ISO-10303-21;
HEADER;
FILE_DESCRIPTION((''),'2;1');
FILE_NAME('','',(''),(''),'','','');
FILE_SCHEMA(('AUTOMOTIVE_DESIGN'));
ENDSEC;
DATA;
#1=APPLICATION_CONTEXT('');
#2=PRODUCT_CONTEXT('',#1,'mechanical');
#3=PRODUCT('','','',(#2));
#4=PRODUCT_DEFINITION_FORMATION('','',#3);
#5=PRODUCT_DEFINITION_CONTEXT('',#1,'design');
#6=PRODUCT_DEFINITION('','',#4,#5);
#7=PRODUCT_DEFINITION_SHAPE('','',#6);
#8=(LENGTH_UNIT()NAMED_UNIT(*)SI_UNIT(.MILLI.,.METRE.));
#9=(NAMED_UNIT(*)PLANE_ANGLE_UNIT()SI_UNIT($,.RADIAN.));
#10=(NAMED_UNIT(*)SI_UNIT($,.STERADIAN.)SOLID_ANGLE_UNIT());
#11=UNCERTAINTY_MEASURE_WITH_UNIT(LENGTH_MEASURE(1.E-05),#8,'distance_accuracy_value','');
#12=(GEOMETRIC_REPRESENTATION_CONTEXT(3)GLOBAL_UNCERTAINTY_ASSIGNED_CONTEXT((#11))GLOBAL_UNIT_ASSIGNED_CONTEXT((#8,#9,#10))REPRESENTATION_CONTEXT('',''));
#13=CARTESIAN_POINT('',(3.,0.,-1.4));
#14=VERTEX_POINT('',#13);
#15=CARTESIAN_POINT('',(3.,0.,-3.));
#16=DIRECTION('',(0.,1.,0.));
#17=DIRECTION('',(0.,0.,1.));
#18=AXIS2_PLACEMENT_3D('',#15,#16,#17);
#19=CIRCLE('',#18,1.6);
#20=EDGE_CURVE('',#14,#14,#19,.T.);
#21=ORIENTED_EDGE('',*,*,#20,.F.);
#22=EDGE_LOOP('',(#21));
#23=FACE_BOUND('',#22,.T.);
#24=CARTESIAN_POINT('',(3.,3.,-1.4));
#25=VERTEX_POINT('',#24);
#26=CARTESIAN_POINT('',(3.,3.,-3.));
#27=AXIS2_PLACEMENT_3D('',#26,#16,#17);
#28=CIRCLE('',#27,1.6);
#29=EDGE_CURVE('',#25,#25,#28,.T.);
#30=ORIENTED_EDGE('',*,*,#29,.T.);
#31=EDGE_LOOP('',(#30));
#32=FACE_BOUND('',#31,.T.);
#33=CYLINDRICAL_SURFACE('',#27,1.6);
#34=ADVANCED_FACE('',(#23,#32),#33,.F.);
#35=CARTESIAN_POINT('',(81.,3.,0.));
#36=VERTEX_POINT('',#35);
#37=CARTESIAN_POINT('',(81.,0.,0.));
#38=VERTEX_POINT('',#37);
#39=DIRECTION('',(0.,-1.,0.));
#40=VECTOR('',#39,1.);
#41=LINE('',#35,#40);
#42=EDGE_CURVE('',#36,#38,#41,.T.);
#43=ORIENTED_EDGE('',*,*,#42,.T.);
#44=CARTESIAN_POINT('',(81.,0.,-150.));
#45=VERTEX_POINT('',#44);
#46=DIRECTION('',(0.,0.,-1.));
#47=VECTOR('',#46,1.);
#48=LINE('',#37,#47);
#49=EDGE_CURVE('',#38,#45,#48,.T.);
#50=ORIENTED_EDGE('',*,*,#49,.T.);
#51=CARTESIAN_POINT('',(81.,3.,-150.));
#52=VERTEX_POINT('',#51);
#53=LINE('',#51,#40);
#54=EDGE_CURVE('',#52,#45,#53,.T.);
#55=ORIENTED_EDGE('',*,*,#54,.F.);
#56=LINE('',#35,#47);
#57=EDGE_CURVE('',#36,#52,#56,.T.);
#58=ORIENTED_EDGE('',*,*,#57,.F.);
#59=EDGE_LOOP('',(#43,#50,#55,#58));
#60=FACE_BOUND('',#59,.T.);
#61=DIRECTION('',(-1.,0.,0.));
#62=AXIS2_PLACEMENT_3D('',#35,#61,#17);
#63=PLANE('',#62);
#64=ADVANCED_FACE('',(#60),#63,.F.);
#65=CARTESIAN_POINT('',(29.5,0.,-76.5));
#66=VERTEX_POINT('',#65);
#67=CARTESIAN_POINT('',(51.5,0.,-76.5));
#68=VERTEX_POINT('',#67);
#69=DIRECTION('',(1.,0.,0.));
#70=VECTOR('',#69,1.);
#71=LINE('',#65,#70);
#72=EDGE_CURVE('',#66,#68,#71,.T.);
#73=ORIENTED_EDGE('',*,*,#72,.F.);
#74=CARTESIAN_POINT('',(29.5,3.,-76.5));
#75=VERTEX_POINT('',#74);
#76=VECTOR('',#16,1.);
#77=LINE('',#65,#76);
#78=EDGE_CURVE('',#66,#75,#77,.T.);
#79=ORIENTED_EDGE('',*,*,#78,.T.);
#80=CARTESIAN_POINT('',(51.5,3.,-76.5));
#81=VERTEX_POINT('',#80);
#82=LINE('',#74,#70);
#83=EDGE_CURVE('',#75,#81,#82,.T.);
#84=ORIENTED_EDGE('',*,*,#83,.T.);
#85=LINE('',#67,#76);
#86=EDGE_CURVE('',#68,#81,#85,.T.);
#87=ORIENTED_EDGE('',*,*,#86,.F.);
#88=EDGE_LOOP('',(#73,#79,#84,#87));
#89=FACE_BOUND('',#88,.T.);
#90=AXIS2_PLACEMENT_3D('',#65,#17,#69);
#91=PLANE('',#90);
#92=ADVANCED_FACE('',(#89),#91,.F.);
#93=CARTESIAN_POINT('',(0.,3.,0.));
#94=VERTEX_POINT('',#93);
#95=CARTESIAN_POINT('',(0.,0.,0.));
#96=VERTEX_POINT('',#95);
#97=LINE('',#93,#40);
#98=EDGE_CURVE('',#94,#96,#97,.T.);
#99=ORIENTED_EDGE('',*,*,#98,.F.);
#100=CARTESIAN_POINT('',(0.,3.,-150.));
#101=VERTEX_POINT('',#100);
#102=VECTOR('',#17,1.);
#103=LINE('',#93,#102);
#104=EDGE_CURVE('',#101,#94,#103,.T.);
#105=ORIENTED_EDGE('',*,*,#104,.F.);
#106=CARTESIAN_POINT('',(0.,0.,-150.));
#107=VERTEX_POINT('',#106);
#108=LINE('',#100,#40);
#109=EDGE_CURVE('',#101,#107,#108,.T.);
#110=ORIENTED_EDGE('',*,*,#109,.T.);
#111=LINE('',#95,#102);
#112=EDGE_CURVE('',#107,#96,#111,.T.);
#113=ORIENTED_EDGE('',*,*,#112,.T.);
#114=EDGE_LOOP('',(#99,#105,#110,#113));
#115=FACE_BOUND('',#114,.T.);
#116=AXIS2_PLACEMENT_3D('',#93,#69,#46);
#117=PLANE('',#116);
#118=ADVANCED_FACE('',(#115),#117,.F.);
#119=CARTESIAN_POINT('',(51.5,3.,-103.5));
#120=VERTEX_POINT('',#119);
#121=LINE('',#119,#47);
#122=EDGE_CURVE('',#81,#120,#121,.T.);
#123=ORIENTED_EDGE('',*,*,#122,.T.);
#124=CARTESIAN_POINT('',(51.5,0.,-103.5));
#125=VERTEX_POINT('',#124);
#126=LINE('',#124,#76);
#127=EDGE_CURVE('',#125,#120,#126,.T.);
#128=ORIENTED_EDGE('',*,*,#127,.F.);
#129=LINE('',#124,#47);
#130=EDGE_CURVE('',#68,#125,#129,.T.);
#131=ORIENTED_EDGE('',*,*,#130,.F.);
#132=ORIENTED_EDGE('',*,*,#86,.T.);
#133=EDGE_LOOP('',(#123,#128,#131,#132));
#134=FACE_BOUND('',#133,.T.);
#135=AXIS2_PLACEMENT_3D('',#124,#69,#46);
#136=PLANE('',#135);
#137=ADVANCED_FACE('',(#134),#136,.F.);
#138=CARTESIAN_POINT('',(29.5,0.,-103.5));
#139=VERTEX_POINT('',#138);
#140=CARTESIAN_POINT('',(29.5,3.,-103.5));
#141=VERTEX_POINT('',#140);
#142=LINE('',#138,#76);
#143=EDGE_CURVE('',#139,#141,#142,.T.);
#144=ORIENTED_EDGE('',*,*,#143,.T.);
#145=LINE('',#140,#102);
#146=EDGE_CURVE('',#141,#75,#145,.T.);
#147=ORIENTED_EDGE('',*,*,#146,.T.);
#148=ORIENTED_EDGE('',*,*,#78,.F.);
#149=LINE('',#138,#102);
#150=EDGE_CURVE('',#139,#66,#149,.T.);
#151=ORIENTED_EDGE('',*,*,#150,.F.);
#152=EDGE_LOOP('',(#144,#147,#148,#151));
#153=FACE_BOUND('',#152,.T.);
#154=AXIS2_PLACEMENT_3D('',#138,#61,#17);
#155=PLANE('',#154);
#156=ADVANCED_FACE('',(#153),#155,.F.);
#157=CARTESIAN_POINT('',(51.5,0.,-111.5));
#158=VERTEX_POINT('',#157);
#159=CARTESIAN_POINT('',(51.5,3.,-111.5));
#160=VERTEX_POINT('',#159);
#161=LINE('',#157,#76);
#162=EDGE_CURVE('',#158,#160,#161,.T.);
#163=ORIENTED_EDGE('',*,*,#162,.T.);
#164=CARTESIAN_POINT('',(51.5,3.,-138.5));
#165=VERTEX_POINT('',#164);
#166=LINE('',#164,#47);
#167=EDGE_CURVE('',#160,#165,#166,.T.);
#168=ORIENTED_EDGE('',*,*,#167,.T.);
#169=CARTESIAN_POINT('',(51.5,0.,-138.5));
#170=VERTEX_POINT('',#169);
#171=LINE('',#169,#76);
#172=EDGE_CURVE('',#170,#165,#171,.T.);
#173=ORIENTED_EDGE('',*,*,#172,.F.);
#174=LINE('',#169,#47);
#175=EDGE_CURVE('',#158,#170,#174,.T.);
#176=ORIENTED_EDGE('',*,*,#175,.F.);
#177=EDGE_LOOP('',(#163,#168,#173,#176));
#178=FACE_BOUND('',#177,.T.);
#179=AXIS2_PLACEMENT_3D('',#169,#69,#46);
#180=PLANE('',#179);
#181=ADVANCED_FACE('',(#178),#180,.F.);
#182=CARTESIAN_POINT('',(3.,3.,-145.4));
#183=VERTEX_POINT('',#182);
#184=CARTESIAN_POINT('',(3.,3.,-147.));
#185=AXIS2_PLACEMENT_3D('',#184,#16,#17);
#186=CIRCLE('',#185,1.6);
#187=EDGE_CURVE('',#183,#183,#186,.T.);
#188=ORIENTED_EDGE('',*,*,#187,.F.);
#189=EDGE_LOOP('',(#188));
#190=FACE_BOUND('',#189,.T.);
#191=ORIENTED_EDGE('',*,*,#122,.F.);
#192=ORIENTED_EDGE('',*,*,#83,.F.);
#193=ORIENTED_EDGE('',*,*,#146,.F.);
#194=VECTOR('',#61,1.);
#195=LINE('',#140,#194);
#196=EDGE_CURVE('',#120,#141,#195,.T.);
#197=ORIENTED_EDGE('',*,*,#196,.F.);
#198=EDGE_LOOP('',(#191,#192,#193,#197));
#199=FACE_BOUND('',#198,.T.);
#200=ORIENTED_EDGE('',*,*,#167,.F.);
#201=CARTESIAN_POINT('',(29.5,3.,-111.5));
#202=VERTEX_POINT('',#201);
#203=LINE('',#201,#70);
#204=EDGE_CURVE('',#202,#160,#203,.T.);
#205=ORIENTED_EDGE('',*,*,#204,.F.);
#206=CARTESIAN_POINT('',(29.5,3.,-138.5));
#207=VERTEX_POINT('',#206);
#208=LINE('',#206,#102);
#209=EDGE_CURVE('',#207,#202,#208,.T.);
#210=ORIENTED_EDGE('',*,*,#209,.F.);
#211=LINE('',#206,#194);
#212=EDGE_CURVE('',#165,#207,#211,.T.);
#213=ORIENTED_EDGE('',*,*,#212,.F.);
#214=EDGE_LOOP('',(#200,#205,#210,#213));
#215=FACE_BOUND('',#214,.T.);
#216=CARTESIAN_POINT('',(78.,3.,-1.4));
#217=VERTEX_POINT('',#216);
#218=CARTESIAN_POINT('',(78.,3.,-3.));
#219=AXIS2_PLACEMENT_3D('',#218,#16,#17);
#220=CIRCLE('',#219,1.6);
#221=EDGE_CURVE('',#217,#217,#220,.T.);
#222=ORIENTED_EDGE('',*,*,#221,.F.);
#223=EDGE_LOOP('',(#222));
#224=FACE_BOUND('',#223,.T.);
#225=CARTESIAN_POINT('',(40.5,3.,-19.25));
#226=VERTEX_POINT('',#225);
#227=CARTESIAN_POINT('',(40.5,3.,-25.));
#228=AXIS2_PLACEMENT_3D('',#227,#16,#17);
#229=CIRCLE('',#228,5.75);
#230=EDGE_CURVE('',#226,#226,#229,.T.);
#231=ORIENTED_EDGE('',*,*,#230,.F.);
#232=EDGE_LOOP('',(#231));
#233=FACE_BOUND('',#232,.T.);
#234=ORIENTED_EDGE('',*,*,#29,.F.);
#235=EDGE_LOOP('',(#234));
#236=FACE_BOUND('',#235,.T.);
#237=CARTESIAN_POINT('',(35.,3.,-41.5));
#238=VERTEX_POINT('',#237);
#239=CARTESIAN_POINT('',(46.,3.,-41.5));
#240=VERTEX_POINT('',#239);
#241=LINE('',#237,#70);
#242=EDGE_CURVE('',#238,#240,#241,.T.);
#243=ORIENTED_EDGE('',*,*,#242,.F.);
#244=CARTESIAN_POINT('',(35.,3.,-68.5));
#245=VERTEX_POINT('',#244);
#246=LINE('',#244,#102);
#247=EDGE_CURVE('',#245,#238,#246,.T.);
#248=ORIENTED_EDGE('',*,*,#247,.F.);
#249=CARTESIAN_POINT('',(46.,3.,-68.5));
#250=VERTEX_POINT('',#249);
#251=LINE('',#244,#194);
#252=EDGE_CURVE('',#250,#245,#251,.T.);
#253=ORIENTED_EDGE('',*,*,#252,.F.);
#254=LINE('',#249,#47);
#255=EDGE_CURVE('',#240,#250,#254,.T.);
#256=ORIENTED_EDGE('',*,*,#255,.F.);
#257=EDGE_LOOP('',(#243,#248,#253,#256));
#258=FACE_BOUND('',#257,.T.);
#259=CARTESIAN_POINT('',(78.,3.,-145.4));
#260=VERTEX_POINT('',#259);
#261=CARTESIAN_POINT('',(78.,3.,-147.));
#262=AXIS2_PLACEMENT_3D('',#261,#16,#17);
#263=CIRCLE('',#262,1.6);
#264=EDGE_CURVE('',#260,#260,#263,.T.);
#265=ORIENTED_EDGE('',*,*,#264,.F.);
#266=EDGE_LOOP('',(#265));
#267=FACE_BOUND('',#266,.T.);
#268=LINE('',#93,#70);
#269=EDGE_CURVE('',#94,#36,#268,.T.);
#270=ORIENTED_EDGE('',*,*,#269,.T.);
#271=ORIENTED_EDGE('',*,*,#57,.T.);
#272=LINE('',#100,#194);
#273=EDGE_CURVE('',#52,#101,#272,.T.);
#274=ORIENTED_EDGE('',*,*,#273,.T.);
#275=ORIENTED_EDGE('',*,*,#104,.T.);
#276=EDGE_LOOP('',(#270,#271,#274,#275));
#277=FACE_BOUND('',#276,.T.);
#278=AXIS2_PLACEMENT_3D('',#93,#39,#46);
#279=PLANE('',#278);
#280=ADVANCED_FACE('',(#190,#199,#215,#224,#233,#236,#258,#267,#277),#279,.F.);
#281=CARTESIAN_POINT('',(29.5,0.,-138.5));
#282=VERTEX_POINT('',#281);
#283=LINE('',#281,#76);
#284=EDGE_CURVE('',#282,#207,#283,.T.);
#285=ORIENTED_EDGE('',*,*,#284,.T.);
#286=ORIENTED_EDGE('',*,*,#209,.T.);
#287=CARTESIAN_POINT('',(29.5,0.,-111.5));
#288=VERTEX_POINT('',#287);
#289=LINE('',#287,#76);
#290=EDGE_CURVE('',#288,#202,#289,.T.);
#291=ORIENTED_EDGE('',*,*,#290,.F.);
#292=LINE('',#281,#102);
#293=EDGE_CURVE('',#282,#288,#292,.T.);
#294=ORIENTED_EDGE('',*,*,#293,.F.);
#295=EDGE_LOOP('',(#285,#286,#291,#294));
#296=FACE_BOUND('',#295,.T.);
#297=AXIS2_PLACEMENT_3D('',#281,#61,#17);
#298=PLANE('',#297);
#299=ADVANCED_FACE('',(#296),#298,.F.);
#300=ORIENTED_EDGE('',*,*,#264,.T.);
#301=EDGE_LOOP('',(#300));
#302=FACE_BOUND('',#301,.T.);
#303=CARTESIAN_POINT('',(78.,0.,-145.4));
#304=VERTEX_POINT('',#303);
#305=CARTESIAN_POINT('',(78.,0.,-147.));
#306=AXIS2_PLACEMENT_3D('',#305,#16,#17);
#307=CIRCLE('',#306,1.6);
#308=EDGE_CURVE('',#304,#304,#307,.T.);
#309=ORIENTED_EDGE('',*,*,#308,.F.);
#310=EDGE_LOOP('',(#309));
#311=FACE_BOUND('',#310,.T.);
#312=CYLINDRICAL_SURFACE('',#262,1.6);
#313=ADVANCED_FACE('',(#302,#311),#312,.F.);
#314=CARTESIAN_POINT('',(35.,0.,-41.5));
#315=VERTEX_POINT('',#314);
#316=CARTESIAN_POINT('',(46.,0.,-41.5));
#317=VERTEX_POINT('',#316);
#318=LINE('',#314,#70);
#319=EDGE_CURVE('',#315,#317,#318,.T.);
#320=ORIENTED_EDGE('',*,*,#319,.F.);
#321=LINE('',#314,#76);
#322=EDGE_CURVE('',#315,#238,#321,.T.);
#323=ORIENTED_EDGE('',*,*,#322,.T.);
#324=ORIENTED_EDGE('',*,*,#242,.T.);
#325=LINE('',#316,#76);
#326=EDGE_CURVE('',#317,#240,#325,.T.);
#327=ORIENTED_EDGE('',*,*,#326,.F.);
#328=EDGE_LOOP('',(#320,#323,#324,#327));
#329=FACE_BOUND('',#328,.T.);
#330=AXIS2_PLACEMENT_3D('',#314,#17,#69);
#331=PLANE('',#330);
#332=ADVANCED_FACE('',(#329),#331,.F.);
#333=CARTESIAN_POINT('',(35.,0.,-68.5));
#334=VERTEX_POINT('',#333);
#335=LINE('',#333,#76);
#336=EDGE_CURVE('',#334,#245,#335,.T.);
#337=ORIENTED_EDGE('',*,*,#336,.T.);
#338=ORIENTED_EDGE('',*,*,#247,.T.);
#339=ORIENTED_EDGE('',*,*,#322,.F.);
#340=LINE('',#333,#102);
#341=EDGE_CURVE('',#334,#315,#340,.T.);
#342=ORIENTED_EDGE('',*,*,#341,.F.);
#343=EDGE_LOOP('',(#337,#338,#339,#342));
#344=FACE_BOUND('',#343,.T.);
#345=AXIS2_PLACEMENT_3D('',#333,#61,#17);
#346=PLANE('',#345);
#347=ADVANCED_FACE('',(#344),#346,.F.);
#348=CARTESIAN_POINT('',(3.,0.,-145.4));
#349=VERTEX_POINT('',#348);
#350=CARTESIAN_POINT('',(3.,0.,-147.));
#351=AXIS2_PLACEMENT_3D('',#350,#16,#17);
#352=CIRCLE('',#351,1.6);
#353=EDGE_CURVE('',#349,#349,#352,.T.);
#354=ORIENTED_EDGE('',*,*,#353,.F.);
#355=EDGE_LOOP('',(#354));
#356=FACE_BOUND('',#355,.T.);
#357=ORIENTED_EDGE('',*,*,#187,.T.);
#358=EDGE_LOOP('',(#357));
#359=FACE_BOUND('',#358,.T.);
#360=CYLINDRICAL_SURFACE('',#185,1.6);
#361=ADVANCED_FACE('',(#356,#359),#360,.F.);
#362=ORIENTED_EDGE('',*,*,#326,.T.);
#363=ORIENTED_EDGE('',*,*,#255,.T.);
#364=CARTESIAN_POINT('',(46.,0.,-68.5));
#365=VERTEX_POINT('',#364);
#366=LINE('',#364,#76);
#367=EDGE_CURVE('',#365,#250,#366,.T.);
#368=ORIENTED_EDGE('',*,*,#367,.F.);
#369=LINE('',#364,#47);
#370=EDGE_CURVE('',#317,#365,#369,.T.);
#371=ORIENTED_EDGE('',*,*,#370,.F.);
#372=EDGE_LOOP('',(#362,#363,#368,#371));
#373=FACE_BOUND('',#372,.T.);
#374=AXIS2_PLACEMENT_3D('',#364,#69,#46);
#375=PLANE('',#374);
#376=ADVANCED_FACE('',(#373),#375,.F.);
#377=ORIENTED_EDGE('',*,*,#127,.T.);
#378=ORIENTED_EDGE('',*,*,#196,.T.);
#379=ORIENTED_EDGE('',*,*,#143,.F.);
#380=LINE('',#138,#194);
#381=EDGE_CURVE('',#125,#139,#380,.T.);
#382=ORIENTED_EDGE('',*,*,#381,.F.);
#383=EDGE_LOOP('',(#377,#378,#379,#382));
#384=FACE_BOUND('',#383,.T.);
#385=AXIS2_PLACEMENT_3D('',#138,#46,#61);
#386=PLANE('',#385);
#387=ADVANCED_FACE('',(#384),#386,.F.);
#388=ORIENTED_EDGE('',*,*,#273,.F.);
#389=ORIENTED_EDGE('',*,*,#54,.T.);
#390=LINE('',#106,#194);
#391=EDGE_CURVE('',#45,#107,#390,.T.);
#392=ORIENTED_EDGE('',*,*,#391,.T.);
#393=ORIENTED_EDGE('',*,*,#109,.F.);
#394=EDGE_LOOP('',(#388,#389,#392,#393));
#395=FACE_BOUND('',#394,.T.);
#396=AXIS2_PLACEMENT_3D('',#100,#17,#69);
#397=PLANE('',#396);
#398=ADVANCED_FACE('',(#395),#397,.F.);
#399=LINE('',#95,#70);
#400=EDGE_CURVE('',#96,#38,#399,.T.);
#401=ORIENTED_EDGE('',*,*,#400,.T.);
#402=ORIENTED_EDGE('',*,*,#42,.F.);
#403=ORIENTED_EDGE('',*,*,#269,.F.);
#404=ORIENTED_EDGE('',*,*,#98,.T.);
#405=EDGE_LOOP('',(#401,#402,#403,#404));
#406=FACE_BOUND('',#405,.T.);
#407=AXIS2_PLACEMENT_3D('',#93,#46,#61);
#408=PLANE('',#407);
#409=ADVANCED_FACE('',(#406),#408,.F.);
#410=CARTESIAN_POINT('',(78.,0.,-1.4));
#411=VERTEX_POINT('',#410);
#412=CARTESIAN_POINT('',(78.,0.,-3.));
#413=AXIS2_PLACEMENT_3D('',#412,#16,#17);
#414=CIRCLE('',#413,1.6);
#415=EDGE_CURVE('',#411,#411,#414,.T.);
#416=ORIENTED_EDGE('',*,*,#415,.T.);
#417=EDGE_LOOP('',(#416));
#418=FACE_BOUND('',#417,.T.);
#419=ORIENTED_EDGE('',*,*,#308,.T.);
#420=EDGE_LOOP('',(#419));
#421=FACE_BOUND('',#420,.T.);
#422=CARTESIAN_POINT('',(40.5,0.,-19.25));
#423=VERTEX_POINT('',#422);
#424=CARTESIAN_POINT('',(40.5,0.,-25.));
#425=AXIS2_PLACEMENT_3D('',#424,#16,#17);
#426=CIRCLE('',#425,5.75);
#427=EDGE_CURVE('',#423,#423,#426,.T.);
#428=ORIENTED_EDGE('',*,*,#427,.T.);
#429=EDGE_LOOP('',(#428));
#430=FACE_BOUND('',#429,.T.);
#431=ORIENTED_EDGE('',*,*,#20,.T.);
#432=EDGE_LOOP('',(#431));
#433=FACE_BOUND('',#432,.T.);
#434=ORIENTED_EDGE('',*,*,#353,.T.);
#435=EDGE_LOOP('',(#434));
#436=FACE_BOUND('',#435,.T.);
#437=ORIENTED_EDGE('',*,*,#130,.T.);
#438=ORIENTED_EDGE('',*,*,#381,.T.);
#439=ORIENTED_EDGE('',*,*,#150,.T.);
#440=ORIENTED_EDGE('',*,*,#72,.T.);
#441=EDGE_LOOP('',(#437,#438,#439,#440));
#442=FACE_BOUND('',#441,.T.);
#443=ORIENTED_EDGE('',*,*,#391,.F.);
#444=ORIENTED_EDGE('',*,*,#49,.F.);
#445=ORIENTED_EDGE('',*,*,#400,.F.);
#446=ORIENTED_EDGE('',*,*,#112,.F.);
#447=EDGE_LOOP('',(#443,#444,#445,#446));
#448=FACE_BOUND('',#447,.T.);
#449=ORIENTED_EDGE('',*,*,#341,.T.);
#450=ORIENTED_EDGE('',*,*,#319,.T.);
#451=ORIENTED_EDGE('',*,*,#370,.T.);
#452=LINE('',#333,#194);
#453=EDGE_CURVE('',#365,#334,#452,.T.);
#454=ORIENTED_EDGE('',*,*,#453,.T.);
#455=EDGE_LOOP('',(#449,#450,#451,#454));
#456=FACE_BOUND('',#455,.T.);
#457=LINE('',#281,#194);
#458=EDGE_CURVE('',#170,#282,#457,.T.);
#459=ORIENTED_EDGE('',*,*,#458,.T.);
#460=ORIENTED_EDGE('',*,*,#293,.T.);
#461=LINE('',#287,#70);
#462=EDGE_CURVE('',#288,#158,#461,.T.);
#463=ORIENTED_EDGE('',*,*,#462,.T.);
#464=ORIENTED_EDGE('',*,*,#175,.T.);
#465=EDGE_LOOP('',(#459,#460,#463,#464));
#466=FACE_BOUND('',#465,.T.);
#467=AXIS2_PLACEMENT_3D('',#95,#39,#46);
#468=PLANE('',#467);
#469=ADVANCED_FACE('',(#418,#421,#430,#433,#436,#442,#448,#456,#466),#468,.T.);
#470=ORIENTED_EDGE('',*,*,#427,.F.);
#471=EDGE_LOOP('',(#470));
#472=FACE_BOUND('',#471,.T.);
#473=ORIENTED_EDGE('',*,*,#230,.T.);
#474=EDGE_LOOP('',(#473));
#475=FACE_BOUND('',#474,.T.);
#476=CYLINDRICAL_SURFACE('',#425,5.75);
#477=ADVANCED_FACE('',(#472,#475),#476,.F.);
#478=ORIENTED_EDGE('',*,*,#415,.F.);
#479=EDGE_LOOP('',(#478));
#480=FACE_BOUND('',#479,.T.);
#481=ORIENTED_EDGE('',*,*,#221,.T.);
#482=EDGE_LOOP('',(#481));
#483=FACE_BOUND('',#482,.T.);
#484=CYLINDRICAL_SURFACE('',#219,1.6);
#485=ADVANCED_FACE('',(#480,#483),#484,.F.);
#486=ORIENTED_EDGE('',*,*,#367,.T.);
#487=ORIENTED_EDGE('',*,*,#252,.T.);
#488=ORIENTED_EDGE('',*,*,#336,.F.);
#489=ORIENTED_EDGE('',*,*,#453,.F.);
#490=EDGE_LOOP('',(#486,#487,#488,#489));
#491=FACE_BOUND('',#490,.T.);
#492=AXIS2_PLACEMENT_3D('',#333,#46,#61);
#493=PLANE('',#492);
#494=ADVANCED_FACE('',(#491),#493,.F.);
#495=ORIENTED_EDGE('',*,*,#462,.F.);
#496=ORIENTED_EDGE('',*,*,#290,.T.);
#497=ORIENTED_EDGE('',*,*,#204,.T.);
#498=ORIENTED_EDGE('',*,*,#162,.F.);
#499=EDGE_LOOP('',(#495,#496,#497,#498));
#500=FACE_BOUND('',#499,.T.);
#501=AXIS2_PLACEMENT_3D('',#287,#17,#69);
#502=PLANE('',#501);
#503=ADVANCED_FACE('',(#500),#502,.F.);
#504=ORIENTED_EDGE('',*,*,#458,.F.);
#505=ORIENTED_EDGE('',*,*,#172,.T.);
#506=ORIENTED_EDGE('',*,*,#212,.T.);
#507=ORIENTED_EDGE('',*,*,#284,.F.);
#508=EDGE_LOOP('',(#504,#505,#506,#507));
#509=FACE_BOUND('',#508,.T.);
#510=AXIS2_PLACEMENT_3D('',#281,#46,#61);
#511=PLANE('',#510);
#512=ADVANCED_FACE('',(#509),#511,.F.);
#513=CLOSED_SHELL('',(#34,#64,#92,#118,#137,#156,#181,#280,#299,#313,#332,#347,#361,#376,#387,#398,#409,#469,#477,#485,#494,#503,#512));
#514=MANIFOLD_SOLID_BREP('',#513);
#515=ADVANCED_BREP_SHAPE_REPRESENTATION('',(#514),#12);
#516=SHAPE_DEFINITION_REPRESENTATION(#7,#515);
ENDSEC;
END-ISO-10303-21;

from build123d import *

# Parameters (mm, degrees)
SKETCH1_W            = 81
SKETCH1_H            = 150
BOSS_EXTRUDE1_DEPTH  = 3
M3_CLEARANCE_HOLE1_D = 3.2
SKETCH9_R            = 5.75
SKETCH9_W            = 22
SKETCH9_H            = 27
SKETCH9_W_2          = 11
CUT_EXTRUDE1_DEPTH   = 4


with BuildPart() as part:
    # Sketch1 → Boss-Extrude1 (new body)
    with BuildSketch(Plane(origin=(0, 0, 0), x_dir=(1, 0, 0), z_dir=(0, 1, 0))):
        with Locations((40.5, 75)):
            Rectangle(SKETCH1_W, SKETCH1_H)
    extrude(amount=BOSS_EXTRUDE1_DEPTH)

    # M3 Clearance Hole1 (through all)
    with Locations(Plane(origin=(3, 3, -147), x_dir=(0, 0, 1), z_dir=(0, 1, 0))):
        with Locations((0, 0), (0, 75), (144, 75), (144, 0)):
            Hole(M3_CLEARANCE_HOLE1_D / 2)

    # Sketch9 → Cut-Extrude1 (cut, through all)
    with BuildSketch(Plane(origin=(0, 3, 0), x_dir=(1, 0, 0), z_dir=(0, 1, 0))):
        with Locations((40.5, 25)):
            Circle(SKETCH9_R)
        with Locations((40.5, 125)):
            Rectangle(SKETCH9_W, SKETCH9_H)
        with Locations((40.5, 90)):
            Rectangle(SKETCH9_W, SKETCH9_H)
        with Locations((40.5, 55)):
            Rectangle(SKETCH9_W_2, SKETCH9_H)
    extrude(amount=-CUT_EXTRUDE1_DEPTH, mode=Mode.SUBTRACT)


solid = part.part
